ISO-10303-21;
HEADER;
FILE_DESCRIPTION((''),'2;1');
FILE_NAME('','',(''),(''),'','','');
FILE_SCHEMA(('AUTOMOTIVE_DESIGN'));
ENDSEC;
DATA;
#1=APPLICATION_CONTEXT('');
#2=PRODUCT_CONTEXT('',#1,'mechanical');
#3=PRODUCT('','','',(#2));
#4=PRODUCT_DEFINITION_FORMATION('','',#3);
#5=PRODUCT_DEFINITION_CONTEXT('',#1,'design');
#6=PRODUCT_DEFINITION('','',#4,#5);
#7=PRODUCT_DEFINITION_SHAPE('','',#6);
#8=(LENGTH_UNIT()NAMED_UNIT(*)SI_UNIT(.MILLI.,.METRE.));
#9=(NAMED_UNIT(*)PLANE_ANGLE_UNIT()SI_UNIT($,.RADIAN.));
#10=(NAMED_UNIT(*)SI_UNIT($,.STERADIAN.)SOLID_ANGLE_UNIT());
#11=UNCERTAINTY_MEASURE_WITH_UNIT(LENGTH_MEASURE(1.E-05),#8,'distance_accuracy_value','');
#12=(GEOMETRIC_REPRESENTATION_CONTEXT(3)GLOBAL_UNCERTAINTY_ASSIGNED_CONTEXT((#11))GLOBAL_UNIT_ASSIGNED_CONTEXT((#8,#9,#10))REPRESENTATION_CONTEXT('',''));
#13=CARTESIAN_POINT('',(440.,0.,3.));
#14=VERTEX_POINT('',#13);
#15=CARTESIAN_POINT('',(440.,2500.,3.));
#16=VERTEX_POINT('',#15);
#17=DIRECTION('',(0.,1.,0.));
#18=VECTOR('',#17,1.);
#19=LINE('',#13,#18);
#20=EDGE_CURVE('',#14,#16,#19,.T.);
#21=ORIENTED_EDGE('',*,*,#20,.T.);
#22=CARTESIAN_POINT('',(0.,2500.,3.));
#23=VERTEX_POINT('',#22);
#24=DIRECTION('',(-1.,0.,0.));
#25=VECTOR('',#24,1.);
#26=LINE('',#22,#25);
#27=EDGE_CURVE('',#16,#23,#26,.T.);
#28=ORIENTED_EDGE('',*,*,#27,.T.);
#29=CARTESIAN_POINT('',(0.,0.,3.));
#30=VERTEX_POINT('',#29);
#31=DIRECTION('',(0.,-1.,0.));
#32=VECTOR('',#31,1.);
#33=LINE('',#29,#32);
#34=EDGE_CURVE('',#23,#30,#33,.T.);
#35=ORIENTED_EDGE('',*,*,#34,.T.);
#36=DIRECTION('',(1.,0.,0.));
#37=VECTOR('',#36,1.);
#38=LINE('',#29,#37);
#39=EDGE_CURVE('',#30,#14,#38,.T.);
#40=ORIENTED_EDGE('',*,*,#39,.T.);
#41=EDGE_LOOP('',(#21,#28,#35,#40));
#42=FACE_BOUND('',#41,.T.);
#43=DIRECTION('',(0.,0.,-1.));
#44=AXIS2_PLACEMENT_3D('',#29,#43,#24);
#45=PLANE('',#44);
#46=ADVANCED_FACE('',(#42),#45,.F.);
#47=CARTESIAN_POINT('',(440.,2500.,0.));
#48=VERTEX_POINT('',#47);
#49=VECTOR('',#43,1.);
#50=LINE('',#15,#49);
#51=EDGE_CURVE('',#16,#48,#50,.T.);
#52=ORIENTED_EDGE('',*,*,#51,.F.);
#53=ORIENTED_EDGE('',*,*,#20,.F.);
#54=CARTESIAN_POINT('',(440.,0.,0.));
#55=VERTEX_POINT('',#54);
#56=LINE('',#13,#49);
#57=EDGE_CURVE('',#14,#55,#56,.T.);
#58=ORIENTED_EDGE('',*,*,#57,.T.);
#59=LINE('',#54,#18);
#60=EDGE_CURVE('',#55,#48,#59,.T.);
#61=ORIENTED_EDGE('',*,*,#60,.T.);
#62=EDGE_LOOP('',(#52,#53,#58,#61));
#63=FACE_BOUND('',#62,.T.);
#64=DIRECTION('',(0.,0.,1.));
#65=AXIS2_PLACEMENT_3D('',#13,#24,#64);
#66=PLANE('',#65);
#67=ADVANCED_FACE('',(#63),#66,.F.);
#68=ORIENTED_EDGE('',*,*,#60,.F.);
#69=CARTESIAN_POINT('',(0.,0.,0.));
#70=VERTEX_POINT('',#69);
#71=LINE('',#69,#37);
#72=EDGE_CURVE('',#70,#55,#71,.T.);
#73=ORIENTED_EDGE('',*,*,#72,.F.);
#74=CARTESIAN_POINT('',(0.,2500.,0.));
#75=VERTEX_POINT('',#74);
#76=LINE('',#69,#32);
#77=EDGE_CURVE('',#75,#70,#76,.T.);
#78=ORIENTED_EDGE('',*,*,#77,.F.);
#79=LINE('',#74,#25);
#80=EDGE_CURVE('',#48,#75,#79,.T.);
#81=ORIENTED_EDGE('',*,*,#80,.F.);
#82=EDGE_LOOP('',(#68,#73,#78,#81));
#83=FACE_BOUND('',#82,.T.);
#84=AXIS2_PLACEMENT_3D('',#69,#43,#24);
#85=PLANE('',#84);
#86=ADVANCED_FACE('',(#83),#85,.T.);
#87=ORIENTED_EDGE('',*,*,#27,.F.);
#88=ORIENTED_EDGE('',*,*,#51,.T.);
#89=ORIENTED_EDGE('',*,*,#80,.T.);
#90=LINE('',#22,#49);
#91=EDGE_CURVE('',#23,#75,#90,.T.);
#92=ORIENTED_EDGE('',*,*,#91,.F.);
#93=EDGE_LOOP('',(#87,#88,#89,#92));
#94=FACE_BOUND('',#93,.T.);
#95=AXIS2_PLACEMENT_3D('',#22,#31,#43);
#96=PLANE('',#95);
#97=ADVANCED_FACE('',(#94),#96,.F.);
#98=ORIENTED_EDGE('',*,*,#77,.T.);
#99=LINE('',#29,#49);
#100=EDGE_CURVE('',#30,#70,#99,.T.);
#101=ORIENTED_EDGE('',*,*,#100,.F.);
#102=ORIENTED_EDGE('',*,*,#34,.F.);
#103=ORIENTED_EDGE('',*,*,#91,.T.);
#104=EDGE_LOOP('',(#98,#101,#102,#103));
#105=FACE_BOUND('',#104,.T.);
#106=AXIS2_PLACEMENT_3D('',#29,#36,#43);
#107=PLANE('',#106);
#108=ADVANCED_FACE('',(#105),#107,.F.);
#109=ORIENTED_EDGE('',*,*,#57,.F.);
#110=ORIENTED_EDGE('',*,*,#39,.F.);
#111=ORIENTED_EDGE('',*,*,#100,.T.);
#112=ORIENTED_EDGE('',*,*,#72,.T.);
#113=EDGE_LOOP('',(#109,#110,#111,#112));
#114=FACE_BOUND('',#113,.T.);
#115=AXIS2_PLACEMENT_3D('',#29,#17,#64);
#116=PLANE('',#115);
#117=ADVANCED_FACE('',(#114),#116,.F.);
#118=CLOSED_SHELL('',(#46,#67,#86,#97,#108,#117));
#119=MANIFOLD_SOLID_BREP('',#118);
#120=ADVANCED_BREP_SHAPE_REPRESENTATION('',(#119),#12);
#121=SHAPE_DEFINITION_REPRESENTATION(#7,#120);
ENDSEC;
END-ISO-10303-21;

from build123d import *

# Parameters (mm, degrees)
SKETCH_1_W      = 440
SKETCH_1_H      = 2500
EXTRUDE_1_DEPTH = 3


with BuildPart() as part:
    # 草圖1 → 填料-伸長1 (new body)
    with BuildSketch(Plane.XY):
        with Locations((220, 1250)):
            Rectangle(SKETCH_1_W, SKETCH_1_H)
    extrude(amount=EXTRUDE_1_DEPTH)


solid = part.part
